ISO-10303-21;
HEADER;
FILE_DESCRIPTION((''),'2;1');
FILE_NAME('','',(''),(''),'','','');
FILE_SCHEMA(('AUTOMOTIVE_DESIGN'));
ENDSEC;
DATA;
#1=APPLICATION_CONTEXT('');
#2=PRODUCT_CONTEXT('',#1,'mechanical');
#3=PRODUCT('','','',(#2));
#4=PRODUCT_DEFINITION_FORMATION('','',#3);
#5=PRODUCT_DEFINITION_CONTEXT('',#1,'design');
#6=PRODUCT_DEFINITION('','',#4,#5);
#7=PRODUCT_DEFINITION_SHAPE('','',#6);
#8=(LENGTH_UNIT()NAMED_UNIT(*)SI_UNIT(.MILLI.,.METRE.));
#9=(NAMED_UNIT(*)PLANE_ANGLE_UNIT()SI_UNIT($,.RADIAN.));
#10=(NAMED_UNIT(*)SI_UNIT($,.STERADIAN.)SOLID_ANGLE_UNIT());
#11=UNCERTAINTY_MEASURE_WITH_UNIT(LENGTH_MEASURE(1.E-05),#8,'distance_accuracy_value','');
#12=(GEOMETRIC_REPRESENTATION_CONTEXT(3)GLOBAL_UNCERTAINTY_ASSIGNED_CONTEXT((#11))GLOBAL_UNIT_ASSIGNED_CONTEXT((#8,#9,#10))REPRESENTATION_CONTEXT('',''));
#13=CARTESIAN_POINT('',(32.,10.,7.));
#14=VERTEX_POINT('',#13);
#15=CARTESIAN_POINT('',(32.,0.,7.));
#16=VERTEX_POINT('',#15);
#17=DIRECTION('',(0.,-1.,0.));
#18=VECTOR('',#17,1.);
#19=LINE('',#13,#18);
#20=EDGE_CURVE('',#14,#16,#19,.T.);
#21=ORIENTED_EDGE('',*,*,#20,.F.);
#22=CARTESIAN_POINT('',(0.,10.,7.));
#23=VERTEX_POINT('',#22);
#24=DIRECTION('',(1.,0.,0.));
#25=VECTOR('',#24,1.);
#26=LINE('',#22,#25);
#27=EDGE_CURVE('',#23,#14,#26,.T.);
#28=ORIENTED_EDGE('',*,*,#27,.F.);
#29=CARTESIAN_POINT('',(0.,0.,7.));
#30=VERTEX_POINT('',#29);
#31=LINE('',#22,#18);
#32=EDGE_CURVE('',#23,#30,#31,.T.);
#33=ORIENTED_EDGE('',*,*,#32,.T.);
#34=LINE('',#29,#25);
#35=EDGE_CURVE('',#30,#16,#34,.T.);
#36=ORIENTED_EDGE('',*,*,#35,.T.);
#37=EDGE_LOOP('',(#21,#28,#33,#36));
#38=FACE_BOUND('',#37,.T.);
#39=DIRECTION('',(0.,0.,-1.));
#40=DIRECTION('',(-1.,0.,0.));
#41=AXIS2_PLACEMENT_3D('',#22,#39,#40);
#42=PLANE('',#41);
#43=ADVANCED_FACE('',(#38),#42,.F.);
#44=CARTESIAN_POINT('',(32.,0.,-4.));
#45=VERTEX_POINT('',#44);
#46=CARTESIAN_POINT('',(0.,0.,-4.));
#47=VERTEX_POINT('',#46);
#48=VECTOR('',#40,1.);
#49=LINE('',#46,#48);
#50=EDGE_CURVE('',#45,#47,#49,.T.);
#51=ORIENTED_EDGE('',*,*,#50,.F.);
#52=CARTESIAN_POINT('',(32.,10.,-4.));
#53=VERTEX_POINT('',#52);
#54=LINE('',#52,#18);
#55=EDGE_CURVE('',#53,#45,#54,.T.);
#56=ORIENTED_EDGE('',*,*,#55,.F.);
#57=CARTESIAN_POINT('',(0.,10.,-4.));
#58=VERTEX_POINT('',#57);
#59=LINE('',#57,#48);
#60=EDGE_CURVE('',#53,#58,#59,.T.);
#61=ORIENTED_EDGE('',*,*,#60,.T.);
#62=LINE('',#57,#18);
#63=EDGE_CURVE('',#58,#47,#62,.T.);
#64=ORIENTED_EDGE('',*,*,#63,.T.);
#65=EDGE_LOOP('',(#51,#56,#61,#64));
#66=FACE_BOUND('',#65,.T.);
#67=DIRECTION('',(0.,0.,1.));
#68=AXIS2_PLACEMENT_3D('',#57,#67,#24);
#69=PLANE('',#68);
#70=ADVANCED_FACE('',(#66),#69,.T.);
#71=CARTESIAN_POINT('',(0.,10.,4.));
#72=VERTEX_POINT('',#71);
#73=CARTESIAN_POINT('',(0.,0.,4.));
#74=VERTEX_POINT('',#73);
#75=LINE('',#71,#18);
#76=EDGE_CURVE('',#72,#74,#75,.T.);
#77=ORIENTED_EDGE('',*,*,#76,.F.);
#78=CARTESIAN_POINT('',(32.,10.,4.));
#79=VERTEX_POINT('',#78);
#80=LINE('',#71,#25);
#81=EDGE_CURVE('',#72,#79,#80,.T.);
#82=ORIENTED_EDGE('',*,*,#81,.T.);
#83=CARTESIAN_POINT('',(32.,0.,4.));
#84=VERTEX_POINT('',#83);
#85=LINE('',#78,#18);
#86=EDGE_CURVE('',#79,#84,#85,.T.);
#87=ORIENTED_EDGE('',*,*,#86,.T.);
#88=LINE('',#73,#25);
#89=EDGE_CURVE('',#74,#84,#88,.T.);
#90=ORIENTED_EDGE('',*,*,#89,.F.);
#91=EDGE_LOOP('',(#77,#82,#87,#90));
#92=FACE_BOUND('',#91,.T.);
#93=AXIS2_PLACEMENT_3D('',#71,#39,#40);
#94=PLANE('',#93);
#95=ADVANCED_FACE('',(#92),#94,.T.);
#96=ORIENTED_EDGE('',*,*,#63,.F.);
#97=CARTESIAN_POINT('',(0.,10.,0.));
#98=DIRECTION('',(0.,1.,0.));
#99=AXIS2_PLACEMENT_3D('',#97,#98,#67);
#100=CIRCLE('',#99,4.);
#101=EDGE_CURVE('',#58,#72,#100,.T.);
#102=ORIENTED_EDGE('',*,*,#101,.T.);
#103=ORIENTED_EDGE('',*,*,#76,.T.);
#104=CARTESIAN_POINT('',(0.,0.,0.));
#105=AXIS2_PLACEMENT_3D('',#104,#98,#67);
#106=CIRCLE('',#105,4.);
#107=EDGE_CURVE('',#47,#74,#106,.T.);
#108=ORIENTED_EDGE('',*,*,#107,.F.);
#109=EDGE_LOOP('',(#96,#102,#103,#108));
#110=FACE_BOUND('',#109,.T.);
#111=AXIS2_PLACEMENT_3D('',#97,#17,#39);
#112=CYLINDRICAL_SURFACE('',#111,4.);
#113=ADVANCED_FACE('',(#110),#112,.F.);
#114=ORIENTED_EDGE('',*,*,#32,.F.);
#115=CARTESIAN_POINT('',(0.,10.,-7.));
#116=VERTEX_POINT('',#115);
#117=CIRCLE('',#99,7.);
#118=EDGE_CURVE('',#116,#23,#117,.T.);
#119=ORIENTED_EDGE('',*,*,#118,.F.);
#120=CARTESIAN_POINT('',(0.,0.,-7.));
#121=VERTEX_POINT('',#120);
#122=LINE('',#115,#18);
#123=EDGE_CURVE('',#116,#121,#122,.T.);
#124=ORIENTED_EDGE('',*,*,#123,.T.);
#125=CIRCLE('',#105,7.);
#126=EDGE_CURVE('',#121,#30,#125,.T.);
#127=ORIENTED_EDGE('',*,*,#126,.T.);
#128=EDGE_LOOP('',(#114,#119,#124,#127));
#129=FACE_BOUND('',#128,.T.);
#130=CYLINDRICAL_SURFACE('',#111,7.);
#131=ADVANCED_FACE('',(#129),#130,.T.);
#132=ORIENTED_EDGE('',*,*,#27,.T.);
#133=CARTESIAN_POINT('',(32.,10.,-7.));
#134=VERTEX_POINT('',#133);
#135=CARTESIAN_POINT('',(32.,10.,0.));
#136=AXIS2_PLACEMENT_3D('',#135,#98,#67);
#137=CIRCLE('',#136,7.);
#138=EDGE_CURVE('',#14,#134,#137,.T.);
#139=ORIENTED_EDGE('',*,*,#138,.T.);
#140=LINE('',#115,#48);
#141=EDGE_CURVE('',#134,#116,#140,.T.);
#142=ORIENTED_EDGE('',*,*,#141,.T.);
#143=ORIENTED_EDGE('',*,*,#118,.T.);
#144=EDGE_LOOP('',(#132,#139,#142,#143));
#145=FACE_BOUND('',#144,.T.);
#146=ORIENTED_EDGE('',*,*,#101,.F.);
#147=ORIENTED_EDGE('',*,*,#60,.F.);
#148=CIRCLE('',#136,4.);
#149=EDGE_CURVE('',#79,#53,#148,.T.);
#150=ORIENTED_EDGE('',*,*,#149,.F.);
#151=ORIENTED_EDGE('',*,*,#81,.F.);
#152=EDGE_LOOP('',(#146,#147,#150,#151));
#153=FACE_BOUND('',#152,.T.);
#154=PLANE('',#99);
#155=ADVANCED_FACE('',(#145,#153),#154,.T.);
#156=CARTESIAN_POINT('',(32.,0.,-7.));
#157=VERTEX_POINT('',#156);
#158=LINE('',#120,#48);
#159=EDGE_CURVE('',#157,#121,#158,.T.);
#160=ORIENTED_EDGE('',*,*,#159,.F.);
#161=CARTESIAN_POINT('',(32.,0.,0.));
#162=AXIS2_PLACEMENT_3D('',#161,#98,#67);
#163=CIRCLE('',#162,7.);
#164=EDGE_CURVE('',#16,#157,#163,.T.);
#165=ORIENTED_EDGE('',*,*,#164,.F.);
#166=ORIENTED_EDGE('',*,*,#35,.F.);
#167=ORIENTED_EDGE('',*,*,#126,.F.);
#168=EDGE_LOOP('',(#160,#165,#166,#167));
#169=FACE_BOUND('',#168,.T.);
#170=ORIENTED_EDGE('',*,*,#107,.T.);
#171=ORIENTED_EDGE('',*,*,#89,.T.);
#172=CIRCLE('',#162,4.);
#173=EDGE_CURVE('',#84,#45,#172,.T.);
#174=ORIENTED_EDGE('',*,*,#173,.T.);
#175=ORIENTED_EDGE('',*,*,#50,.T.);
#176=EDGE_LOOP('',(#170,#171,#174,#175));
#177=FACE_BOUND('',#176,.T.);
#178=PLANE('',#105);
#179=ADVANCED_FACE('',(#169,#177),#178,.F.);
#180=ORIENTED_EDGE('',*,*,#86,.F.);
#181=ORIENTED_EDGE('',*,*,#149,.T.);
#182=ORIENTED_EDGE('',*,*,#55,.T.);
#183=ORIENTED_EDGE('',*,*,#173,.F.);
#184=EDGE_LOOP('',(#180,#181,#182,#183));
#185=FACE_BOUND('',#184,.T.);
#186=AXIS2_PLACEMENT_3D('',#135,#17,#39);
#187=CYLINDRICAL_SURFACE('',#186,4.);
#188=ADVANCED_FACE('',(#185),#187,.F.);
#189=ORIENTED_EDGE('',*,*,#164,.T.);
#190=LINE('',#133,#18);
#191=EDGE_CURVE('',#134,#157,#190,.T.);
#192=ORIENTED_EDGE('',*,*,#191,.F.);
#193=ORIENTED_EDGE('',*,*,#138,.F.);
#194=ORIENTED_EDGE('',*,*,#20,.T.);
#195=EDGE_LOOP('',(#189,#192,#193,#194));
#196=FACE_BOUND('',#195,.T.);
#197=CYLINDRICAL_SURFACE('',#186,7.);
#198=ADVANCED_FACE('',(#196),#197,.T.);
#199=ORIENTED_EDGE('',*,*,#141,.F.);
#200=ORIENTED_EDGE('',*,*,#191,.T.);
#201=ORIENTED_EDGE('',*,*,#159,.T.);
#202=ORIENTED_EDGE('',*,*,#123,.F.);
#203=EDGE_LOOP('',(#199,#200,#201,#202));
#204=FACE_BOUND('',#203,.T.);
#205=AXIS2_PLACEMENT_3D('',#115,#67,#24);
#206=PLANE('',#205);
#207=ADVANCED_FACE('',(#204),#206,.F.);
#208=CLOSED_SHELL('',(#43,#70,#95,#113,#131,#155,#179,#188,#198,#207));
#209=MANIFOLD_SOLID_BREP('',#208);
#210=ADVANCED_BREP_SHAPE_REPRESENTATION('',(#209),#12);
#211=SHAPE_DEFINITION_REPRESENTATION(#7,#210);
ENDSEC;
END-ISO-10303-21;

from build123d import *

# Parameters (mm, degrees)
DODANIE_WYCI_GNI_CIE1_DEPTH = 10


with BuildPart() as part:
    # Szkic2 → Dodanie-wyciągnięcie1 (new body)
    with BuildSketch(Plane(origin=(0, 0, 0), x_dir=(1, 0, 0), z_dir=(0, 1, 0))):
        with BuildLine():
            Line((0, 7), (32, 7))
            ThreePointArc((32, 7), (39, 0), (32, -7))
            Line((32, -7), (0, -7))
            ThreePointArc((0, -7), (-7, 0), (0, 7))
        make_face()
        with BuildLine():
            Line((0, 4), (32, 4))
            ThreePointArc((32, 4), (36, 0), (32, -4))
            Line((32, -4), (0, -4))
            ThreePointArc((0, -4), (-4, 0), (0, 4))
        make_face(mode=Mode.SUBTRACT)
    extrude(amount=DODANIE_WYCI_GNI_CIE1_DEPTH)


solid = part.part
